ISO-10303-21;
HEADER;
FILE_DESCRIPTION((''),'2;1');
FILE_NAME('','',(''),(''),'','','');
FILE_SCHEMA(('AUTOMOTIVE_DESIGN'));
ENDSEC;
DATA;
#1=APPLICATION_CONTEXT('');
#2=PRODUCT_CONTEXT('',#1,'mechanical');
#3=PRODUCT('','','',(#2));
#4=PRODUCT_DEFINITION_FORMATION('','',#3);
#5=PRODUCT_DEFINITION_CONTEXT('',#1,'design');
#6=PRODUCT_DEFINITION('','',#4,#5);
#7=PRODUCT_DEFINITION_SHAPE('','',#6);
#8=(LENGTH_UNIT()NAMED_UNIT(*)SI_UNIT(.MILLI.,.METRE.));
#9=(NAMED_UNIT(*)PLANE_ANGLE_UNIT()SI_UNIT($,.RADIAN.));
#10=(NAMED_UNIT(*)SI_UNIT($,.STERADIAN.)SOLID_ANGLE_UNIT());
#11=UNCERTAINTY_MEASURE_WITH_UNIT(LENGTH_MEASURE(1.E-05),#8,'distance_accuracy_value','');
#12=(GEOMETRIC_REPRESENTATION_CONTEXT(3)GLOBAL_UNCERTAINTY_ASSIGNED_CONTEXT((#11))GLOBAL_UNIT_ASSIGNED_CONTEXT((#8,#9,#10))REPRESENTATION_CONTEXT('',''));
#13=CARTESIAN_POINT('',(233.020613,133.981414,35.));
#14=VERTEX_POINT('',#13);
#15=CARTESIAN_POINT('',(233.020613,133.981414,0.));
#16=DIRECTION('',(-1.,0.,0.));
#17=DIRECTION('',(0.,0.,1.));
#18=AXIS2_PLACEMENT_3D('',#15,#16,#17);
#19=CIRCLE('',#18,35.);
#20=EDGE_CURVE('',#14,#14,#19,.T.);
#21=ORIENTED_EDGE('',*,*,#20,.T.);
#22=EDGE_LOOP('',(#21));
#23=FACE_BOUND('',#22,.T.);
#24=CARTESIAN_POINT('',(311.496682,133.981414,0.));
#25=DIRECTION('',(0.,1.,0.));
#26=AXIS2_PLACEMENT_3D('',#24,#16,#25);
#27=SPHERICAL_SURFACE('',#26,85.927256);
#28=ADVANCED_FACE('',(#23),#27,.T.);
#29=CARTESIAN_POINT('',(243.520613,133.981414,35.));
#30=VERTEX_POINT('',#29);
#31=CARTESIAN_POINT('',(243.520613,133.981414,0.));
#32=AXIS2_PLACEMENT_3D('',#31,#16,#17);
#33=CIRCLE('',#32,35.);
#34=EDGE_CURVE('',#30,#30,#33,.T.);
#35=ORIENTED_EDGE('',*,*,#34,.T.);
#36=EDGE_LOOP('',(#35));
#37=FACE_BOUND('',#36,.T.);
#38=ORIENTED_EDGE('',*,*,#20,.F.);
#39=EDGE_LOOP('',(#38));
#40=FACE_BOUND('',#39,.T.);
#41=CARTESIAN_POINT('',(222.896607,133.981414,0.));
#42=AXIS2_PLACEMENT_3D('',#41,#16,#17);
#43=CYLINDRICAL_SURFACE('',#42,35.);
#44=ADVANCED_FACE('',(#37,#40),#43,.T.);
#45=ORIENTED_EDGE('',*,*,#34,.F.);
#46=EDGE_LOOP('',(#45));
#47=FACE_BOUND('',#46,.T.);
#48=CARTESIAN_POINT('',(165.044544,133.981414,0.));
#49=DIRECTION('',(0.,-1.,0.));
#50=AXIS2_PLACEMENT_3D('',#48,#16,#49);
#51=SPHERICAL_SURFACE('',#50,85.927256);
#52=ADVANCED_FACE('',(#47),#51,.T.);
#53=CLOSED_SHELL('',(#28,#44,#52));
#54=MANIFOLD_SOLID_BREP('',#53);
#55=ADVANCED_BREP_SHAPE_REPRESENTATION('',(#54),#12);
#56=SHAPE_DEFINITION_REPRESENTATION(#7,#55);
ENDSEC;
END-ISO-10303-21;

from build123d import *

# Parameters (mm, degrees)
SKETCH_1_ONE_SIDE_W = 10.5
SKETCH_1_ONE_SIDE_H = 35


with BuildPart() as part:
    # 草图1 one side → 旋转1 (revolve)
    with BuildSketch(Plane.XY, mode=Mode.PRIVATE) as revolve_1_sk:
        with Locations((238.270612765, 151.481413843)):
            Rectangle(SKETCH_1_ONE_SIDE_W, SKETCH_1_ONE_SIDE_H)
        with BuildLine():
            Line((225.569425289, 133.981413843), (233.020612765, 133.981413843))
            Line((233.020612765, 133.981413843), (233.020612765, 168.981413843))
            ThreePointArc((233.020612765, 168.981413843), (227.452863689, 151.873592266), (225.569425289, 133.981413843))
        make_face()
        with BuildLine():
            Line((243.520612765, 133.981413843), (250.97180024, 133.981413843))
            ThreePointArc((250.97180024, 133.981413843), (249.088361841, 151.873592266), (243.520612765, 168.981413843))
            Line((243.520612765, 168.981413843), (243.520612765, 133.981413843))
        make_face()
    revolve(revolve_1_sk.sketch.rotate(Axis((222.896606648, 133.981413843, 0), (1, 0, 0)), 90), axis=Axis((222.896606648, 133.981413843, 0), (1, 0, 0)))  # turned: the seam where the file's is


solid = part.part
